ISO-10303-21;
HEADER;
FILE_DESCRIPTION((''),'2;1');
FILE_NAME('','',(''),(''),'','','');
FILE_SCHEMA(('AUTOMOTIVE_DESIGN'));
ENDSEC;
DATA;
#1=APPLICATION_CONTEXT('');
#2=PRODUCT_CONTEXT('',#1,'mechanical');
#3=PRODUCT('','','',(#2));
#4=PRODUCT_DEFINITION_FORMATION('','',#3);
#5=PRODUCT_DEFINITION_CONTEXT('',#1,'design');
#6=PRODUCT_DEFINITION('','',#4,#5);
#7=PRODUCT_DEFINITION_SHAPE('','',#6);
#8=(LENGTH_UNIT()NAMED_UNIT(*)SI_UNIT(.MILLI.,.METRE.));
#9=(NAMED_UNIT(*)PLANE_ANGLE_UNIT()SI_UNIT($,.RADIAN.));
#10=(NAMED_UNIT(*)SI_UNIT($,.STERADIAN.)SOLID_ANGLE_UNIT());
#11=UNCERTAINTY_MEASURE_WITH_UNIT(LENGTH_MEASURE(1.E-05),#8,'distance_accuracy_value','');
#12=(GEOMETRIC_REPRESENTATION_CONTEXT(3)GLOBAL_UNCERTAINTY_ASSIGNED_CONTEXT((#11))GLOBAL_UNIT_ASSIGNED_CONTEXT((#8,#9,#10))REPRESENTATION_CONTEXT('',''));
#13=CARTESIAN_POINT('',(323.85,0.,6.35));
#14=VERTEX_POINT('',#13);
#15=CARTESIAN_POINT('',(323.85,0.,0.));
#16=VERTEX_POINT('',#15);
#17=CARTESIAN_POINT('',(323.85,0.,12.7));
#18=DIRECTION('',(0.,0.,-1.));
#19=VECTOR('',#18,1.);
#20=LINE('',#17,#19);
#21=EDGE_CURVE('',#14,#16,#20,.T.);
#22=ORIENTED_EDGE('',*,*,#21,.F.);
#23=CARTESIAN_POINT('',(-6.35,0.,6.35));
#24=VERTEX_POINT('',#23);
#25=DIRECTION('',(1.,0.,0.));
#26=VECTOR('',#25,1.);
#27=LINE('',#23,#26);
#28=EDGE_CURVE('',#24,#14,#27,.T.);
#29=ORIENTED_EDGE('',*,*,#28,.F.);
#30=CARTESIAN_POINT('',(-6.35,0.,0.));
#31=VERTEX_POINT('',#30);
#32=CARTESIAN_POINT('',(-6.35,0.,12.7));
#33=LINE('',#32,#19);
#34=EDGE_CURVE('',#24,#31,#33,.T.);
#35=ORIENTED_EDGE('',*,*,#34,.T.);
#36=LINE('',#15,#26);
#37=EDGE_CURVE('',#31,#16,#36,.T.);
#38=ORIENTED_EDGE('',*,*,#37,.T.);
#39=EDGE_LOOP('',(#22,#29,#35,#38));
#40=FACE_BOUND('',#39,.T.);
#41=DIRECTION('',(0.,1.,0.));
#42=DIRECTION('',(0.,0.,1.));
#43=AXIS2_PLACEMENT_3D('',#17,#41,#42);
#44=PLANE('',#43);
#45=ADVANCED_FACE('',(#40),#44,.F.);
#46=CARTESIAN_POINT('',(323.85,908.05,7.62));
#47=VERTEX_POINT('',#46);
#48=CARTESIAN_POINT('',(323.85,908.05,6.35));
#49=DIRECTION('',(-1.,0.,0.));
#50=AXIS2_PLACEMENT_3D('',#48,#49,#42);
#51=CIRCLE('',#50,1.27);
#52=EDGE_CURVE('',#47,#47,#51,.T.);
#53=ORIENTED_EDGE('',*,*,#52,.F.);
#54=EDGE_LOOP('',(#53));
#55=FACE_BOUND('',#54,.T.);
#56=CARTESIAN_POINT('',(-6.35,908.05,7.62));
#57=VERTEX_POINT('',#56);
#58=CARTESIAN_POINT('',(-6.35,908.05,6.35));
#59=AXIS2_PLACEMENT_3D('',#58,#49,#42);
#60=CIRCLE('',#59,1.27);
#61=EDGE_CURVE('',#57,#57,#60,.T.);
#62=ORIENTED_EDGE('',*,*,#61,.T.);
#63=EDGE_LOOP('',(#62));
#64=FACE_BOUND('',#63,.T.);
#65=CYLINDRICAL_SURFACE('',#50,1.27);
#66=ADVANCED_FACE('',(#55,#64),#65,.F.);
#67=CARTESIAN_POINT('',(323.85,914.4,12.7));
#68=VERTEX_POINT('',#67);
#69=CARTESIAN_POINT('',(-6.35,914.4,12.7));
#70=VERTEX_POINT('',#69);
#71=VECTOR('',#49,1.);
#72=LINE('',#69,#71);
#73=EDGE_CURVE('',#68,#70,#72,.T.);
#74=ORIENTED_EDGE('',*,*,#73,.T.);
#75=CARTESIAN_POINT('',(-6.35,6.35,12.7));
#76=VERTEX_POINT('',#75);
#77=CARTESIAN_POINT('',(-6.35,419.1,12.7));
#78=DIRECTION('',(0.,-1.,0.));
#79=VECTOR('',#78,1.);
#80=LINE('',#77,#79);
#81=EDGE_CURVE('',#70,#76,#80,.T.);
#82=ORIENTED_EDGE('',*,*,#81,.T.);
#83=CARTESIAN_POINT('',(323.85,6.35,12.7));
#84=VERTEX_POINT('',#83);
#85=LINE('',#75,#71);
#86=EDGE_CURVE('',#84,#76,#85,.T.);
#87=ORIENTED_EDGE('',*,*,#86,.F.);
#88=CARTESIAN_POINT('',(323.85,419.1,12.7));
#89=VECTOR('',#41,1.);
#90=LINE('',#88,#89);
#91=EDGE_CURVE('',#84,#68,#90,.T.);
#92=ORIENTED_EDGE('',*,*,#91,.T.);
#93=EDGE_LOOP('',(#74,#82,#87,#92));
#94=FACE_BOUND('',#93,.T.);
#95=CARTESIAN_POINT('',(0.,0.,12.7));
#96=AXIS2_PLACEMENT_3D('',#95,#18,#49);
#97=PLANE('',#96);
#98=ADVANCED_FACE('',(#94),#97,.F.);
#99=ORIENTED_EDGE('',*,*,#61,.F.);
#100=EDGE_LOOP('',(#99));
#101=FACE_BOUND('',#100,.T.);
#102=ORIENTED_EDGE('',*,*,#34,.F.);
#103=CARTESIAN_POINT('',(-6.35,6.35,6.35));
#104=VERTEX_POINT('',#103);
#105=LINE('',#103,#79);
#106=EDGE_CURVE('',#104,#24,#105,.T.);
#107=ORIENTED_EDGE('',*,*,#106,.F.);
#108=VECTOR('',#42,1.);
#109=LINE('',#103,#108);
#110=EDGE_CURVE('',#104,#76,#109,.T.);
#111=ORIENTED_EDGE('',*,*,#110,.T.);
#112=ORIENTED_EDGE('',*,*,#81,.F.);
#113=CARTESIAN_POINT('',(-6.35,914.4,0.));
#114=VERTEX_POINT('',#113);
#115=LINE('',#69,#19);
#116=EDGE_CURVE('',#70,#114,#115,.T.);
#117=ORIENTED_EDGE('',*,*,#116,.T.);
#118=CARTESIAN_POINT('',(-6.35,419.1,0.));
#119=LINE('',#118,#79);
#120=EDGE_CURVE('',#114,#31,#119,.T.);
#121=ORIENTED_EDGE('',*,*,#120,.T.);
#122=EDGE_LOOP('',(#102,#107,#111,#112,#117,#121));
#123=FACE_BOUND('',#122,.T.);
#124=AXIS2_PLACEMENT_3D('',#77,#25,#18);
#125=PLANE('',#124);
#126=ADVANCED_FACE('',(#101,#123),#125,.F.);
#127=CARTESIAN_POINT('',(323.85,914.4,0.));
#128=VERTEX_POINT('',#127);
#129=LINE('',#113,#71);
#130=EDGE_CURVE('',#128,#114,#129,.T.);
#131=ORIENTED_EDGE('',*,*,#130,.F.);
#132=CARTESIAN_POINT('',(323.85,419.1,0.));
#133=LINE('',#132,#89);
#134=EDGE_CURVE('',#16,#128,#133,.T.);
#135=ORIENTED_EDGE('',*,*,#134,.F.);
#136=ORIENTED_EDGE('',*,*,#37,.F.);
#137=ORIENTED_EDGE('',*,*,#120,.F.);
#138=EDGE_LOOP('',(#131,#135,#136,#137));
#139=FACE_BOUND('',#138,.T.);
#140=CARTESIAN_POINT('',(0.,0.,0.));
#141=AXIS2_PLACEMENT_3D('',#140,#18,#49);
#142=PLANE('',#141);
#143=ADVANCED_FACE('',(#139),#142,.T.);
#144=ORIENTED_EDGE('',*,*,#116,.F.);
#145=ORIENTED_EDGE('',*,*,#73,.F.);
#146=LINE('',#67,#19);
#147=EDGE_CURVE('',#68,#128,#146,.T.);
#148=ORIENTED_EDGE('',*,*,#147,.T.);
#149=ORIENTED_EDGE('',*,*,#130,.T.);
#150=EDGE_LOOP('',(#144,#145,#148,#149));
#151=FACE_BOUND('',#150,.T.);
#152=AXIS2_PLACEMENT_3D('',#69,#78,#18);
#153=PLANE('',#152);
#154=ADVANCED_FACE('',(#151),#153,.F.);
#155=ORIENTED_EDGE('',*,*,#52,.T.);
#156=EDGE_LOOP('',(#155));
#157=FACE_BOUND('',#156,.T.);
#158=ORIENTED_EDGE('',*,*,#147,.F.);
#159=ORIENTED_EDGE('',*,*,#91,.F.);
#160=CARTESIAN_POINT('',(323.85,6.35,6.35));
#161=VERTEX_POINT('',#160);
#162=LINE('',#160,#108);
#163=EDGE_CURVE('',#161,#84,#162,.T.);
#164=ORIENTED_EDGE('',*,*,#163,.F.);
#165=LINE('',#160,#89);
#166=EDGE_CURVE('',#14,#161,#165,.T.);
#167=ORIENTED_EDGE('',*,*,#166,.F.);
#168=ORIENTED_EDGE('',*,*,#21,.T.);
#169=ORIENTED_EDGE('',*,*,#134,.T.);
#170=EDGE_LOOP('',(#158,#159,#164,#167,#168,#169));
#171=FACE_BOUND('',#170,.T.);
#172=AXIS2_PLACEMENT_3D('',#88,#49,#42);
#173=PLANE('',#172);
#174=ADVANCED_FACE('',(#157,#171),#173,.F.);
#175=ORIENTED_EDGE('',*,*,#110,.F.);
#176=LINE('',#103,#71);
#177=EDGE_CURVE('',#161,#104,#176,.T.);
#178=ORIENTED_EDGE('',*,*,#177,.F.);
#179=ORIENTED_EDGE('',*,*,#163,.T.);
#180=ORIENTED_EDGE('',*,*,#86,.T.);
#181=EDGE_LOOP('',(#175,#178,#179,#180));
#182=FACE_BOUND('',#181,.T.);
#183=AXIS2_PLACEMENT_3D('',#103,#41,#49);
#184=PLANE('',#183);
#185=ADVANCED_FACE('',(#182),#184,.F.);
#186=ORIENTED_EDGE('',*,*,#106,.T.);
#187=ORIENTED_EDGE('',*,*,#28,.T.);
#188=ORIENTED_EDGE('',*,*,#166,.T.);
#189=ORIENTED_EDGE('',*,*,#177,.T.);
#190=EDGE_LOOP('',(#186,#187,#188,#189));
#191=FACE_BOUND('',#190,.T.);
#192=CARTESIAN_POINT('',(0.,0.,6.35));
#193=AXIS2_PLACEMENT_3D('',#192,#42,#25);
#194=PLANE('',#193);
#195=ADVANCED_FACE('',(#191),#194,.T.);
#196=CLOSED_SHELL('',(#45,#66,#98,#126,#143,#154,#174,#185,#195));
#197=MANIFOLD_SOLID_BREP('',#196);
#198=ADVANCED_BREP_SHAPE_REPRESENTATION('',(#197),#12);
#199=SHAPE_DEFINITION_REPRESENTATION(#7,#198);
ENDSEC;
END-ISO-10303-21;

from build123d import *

# Parameters (mm, degrees)
BOSS_EXTRUDE1_DEPTH = 12.7
SKETCH2_W           = 330.2
SKETCH2_H           = 6.35
CUT_EXTRUDE1_DEPTH  = 6.35
SKETCH3_R           = 1.27
CUT_EXTRUDE2_DEPTH  = 331.2


with BuildPart() as part:
    # Sketch1 → Boss-Extrude1 (new body)
    with BuildSketch(Plane.XY):
        Polygon((0, 0), (317.5, 0), (323.85, 0), (323.85, 419.1), (323.85, 914.4), (-6.35, 914.4), (-6.35, 419.1), (-6.35, 0), align=None)
    extrude(amount=BOSS_EXTRUDE1_DEPTH)

    # Sketch2 → Cut-Extrude1 (cut)
    with BuildSketch(Plane.XY.offset(12.7)):
        with Locations((158.75, 3.175)):
            Rectangle(SKETCH2_W, SKETCH2_H)
    extrude(amount=-CUT_EXTRUDE1_DEPTH, mode=Mode.SUBTRACT)

    # Sketch3 → Cut-Extrude2 (cut, through all)
    with BuildSketch(Plane.ZY.offset(6.35)):
        with Locations((6.35, 908.05)):
            Circle(SKETCH3_R)
    extrude(amount=-CUT_EXTRUDE2_DEPTH, mode=Mode.SUBTRACT)


solid = part.part
